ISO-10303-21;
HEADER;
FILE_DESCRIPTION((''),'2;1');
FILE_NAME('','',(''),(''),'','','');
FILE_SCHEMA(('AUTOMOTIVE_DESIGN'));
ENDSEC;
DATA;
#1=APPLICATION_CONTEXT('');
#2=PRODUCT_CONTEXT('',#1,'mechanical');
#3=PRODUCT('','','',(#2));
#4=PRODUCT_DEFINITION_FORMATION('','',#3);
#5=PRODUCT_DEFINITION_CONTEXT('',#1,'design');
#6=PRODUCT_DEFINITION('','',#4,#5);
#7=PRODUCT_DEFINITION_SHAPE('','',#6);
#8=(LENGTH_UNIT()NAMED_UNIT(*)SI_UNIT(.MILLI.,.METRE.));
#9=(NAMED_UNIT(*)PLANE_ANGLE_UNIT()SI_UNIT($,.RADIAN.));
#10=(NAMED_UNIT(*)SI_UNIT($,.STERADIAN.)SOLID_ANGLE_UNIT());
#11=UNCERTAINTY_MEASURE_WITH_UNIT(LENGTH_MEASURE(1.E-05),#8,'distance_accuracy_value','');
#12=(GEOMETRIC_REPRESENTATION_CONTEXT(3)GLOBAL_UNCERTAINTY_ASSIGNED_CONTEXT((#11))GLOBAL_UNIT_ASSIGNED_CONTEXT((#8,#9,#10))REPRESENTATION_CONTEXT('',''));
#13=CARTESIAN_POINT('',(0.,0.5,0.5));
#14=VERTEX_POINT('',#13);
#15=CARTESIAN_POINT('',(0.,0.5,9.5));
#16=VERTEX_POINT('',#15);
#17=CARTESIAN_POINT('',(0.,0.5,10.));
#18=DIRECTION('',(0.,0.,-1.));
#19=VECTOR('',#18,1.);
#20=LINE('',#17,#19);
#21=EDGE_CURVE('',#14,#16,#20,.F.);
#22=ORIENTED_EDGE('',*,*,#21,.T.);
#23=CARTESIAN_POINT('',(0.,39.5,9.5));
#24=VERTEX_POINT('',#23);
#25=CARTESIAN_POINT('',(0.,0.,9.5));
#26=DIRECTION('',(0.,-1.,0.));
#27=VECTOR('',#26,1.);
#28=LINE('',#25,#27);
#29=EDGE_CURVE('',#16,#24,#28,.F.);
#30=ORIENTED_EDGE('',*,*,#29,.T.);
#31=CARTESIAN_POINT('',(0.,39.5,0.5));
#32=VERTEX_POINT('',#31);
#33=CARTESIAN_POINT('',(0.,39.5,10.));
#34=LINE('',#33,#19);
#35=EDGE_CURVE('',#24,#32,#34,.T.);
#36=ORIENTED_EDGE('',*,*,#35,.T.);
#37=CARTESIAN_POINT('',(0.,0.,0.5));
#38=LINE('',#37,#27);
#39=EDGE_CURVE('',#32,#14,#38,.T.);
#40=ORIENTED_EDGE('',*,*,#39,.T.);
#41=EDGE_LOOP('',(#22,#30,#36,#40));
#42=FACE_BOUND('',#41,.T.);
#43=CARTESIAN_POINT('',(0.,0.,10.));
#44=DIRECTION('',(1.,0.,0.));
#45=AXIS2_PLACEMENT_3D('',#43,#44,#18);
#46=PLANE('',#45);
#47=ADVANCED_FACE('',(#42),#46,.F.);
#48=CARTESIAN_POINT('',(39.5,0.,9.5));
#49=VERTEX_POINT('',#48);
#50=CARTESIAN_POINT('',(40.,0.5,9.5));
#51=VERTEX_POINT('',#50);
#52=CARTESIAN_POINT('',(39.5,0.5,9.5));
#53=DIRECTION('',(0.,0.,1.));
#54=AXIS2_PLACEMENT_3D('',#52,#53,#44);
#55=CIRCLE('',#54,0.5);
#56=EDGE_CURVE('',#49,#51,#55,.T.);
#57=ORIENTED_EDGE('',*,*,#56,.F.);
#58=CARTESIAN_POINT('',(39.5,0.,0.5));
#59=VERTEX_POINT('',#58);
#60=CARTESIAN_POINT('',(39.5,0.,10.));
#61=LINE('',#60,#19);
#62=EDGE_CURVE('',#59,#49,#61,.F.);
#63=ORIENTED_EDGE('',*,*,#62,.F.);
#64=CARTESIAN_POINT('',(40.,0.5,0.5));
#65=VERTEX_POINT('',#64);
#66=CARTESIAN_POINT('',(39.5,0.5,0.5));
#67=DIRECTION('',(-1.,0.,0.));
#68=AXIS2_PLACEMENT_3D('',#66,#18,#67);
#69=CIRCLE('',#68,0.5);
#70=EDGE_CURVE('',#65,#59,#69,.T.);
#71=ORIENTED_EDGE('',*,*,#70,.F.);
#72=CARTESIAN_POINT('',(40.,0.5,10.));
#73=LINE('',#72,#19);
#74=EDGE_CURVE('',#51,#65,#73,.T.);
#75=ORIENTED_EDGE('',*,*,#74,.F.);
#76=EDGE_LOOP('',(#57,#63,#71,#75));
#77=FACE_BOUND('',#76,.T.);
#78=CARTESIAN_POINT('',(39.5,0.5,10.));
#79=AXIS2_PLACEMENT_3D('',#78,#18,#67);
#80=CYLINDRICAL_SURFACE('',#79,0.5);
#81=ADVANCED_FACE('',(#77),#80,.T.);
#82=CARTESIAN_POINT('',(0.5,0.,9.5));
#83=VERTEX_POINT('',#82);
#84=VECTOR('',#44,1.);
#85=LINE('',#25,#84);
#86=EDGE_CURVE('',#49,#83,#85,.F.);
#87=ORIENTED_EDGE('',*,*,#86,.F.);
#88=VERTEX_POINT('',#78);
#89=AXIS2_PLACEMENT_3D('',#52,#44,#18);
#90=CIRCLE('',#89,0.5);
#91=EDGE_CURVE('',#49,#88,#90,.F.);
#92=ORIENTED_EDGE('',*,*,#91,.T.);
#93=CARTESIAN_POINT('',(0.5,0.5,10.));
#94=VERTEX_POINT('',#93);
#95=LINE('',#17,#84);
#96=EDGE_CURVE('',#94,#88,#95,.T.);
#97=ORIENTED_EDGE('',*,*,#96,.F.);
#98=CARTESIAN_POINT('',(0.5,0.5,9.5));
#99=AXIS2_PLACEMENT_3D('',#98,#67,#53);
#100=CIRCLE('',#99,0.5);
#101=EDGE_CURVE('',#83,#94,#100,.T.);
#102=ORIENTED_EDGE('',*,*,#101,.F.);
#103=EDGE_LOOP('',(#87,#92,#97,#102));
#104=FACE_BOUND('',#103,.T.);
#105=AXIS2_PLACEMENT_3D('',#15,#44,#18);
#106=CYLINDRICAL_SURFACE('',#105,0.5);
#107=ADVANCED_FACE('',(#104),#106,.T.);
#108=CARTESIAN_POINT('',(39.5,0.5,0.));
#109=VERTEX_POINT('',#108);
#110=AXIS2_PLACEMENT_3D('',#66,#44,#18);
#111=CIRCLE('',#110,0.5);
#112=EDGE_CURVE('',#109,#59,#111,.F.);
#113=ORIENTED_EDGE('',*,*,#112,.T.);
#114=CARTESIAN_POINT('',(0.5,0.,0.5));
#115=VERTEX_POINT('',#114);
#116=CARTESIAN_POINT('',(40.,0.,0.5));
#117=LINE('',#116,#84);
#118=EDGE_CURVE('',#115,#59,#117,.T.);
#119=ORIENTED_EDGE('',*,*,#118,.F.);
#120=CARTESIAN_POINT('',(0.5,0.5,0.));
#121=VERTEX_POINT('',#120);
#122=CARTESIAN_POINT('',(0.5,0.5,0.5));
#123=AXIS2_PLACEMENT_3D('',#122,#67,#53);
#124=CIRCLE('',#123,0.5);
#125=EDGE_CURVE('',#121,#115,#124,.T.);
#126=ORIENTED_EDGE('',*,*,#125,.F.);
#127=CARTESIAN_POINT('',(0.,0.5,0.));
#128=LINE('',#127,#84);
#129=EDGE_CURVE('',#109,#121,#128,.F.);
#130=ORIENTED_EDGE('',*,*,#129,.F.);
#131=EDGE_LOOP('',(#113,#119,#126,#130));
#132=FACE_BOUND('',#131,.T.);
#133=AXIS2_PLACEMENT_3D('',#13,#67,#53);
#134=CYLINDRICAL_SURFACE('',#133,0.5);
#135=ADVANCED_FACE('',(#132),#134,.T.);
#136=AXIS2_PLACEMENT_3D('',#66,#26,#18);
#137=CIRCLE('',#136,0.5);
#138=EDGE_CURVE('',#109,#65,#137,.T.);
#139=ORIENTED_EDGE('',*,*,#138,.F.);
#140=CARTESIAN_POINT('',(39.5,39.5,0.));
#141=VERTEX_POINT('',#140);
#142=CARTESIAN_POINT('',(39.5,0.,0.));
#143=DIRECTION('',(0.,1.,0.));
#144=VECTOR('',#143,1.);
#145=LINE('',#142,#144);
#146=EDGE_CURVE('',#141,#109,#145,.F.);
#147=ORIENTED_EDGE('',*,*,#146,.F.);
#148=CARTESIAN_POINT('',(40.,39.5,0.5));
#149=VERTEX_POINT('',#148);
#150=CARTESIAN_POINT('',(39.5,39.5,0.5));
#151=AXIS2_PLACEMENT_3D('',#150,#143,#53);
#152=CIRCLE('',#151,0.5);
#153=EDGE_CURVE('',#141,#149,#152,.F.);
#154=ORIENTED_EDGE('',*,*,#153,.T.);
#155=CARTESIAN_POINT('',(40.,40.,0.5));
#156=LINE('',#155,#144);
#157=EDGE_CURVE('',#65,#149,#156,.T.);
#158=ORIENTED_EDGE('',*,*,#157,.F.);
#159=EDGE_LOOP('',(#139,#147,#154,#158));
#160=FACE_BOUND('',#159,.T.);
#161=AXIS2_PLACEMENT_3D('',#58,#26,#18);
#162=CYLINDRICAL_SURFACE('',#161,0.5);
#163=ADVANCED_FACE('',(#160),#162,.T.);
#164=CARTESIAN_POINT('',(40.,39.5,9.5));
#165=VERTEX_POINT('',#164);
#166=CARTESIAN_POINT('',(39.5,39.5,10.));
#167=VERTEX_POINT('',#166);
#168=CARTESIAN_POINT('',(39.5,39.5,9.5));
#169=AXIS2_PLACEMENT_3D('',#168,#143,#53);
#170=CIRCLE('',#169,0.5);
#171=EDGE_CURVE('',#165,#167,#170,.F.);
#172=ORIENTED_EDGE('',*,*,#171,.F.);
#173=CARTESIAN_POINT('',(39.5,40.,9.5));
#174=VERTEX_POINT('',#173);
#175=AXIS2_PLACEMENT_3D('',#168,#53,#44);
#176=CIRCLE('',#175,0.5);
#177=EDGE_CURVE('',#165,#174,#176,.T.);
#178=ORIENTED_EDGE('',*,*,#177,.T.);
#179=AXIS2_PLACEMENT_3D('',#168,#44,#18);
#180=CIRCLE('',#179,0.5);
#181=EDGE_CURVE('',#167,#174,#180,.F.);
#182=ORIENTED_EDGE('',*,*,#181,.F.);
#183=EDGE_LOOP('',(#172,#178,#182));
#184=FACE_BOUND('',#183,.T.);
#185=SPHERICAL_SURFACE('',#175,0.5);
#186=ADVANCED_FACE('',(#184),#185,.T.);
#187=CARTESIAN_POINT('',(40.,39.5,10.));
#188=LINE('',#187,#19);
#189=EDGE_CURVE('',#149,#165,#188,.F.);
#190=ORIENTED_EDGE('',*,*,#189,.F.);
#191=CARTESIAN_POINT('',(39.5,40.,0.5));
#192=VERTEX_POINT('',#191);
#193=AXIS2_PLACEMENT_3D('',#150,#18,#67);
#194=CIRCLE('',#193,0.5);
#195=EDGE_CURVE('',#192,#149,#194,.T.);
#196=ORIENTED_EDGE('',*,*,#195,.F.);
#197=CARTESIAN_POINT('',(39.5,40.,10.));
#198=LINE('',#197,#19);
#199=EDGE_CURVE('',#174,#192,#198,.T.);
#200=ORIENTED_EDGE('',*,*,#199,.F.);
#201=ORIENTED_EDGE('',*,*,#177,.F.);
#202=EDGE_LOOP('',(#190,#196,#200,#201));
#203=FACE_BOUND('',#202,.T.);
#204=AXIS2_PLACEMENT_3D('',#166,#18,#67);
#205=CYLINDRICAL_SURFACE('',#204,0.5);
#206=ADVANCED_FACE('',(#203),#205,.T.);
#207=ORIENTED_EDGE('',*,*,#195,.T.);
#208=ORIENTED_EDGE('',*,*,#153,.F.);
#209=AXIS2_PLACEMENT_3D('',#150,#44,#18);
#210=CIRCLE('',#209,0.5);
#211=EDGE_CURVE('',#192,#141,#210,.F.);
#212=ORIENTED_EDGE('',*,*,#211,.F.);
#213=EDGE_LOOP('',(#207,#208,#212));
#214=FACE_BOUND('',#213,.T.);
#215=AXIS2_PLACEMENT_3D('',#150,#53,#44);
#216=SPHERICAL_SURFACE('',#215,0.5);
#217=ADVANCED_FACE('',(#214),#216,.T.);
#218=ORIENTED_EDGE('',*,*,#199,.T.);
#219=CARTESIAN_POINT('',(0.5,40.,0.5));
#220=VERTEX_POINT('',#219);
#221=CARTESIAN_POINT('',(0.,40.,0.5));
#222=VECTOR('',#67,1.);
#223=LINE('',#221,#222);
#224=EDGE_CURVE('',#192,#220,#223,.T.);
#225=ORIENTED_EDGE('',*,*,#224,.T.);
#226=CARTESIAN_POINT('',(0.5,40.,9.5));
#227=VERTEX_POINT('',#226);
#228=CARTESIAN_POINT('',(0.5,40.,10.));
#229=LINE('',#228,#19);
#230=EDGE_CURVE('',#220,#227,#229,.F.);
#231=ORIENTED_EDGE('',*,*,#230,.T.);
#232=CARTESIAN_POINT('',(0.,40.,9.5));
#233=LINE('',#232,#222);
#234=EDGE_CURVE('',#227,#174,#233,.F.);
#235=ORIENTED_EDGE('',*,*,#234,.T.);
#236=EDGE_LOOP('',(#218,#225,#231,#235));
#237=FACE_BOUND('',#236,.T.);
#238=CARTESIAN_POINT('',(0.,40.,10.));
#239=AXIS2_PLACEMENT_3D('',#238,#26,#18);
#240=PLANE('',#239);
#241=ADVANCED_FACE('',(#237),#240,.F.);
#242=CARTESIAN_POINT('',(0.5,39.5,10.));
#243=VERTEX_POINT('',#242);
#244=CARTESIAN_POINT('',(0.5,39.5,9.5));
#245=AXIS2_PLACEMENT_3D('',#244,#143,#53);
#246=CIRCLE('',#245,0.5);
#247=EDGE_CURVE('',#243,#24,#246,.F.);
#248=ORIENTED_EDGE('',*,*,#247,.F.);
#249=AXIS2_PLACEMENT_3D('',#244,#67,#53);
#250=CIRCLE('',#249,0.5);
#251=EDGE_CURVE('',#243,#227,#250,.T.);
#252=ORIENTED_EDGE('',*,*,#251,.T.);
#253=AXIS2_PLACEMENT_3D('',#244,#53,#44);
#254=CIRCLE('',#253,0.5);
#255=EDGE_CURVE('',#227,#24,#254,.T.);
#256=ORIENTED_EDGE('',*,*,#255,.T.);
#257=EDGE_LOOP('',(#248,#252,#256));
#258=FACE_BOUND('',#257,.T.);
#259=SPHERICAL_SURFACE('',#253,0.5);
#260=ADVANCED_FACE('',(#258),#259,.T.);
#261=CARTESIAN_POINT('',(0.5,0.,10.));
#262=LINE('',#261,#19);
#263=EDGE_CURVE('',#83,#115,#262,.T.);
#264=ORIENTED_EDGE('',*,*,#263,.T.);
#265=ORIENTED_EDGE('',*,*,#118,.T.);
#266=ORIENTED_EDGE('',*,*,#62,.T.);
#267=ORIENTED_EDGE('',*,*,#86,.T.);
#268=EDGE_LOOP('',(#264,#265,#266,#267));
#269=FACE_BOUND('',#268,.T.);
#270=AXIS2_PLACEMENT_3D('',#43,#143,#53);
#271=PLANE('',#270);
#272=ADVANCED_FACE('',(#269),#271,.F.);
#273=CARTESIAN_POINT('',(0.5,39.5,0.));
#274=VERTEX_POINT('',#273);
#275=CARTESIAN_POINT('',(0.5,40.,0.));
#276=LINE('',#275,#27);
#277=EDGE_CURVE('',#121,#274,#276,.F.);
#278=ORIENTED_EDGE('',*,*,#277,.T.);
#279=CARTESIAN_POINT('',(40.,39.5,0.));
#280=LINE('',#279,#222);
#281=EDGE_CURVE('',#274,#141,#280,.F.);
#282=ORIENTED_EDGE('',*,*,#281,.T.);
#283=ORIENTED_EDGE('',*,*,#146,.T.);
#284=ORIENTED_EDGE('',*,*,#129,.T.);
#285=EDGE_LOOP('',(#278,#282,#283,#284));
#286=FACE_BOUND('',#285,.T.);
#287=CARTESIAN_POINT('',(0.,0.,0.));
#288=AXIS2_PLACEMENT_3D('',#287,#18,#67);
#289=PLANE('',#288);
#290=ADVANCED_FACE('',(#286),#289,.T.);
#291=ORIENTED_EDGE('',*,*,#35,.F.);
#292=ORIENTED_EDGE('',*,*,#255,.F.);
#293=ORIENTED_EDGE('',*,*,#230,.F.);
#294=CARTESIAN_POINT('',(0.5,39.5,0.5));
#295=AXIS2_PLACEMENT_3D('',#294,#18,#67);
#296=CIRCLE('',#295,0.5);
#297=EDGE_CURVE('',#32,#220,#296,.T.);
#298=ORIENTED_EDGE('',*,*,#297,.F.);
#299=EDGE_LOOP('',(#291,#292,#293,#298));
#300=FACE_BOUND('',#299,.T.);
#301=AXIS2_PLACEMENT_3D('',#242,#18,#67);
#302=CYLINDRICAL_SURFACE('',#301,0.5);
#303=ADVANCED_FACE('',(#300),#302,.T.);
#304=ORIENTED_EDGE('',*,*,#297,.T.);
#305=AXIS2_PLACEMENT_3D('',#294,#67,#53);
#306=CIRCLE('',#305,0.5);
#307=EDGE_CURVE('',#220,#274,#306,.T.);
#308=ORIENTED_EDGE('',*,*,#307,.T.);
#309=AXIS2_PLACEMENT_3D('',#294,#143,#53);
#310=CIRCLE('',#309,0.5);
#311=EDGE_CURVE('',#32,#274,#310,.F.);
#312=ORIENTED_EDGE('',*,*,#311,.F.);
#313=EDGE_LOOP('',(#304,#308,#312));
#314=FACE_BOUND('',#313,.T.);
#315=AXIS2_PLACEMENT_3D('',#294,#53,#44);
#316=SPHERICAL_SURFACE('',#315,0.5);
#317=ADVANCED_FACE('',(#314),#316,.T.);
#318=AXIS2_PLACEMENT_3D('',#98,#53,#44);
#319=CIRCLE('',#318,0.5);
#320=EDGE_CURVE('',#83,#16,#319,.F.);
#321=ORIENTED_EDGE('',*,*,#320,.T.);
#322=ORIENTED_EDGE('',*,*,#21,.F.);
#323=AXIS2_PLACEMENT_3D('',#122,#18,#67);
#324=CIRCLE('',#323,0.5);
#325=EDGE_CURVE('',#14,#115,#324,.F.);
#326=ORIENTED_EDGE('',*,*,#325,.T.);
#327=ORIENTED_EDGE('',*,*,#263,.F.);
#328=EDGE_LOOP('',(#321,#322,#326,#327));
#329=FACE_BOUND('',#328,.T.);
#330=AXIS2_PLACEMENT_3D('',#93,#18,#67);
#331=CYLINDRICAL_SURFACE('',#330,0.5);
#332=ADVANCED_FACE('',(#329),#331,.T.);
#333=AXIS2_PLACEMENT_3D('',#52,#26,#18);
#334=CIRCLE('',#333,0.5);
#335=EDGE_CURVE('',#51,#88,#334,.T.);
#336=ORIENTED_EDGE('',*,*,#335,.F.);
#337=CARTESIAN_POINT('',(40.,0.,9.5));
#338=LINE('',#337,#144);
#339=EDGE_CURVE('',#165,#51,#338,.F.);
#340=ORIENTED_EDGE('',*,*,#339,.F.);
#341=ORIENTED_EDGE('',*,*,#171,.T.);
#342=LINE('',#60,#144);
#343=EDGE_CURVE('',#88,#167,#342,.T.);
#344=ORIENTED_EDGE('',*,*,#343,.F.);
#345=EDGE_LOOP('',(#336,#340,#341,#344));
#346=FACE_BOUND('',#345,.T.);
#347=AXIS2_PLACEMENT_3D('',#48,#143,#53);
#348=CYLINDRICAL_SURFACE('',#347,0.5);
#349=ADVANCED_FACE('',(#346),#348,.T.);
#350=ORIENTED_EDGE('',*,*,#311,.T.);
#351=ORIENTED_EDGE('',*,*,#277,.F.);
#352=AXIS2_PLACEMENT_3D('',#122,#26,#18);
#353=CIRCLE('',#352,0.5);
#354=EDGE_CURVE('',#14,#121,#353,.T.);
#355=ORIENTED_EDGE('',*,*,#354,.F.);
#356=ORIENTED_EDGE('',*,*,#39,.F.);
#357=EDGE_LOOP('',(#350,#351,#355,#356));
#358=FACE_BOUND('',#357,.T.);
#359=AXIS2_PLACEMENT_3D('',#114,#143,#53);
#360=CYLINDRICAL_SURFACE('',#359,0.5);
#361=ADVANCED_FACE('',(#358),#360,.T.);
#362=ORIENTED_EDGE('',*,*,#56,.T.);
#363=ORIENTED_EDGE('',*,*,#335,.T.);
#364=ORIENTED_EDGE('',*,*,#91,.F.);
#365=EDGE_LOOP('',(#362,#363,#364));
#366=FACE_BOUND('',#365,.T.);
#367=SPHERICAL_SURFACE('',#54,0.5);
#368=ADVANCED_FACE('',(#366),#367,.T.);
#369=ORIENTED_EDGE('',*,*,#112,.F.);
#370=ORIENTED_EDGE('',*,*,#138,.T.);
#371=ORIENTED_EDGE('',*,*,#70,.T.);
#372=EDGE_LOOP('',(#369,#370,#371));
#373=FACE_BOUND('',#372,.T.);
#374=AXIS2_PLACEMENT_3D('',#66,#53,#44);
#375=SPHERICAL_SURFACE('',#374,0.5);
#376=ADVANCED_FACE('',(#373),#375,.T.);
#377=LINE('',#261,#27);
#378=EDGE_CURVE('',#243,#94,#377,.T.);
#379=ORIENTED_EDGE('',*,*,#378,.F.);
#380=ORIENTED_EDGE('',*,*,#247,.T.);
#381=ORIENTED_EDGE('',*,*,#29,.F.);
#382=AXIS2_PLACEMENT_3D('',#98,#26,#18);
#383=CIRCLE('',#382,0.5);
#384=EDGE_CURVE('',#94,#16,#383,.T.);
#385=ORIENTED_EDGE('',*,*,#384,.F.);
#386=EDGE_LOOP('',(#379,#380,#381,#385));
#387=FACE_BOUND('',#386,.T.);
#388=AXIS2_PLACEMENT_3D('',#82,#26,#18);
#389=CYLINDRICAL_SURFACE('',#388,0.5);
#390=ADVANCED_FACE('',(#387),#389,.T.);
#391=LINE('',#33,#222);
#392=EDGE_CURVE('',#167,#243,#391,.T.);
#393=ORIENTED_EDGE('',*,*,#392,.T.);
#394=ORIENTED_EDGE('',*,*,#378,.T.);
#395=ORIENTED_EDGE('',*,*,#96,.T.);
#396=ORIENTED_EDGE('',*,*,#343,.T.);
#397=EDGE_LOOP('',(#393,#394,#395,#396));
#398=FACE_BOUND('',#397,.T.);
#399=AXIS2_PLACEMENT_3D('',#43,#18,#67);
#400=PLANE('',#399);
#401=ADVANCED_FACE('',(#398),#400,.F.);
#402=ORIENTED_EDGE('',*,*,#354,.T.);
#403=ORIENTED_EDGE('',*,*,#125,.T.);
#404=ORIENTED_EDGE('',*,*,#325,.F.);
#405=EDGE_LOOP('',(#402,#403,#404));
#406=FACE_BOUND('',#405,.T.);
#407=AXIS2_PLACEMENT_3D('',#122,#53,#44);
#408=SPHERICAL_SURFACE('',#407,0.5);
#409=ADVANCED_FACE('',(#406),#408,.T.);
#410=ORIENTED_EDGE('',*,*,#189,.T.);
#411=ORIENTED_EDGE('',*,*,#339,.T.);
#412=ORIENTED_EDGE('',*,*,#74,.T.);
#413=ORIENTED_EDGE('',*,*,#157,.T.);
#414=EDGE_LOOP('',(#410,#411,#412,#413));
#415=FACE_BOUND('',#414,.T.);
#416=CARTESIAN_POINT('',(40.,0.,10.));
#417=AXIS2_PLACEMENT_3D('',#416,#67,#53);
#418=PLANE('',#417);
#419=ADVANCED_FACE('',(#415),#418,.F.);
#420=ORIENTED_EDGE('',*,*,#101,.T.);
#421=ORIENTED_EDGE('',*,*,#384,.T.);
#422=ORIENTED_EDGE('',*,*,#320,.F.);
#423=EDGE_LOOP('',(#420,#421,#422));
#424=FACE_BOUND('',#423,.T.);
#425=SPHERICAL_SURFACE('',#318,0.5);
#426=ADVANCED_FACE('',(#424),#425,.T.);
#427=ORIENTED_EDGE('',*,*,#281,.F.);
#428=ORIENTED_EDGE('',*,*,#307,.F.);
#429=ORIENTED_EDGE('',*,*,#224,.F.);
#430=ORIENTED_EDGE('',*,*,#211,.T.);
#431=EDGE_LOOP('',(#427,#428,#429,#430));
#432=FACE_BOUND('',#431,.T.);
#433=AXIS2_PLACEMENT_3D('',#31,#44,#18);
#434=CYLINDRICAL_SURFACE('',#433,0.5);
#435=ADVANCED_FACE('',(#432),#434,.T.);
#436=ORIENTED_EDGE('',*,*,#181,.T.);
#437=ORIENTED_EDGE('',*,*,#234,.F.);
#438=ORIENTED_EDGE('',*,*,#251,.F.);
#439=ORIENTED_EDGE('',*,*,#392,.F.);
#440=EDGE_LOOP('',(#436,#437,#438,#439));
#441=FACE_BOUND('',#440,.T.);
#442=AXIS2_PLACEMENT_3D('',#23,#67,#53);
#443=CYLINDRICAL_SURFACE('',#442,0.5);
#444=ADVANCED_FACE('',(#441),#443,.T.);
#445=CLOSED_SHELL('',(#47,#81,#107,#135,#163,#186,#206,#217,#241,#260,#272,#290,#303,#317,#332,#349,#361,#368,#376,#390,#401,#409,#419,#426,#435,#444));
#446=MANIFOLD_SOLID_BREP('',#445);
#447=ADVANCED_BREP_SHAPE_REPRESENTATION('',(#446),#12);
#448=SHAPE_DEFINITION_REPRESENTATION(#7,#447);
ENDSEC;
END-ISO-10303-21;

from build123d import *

# Parameters (mm, degrees)
SKETCH_1_W      = 40
SKETCH_1_H      = 40
EXTRUDE_1_DEPTH = 10
FILLET_1_R      = 0.5


with BuildPart() as part:
    # 草图1 → 凸台-拉伸1 (new body)
    with BuildSketch(Plane.XY):
        with Locations((20, 20)):
            Rectangle(SKETCH_1_W, SKETCH_1_H)
    extrude(amount=EXTRUDE_1_DEPTH)

    # 圆角1
    fillet_1_edges = [part.edges().sort_by_distance(p)[0] for p in [
        (40, 20, 10),
        (20, 40, 10),
        (0, 20, 10),
        (20, 40, 0),
        (40, 20, 0),
        (20, 0, 0),
        (0, 20, 0),
        (20, 0, 10),
        (0, 40, 5),
        (40, 40, 5),
        (40, 0, 5),
        (0, 0, 5),
    ]]
    fillet(fillet_1_edges, radius=FILLET_1_R)


solid = part.part
